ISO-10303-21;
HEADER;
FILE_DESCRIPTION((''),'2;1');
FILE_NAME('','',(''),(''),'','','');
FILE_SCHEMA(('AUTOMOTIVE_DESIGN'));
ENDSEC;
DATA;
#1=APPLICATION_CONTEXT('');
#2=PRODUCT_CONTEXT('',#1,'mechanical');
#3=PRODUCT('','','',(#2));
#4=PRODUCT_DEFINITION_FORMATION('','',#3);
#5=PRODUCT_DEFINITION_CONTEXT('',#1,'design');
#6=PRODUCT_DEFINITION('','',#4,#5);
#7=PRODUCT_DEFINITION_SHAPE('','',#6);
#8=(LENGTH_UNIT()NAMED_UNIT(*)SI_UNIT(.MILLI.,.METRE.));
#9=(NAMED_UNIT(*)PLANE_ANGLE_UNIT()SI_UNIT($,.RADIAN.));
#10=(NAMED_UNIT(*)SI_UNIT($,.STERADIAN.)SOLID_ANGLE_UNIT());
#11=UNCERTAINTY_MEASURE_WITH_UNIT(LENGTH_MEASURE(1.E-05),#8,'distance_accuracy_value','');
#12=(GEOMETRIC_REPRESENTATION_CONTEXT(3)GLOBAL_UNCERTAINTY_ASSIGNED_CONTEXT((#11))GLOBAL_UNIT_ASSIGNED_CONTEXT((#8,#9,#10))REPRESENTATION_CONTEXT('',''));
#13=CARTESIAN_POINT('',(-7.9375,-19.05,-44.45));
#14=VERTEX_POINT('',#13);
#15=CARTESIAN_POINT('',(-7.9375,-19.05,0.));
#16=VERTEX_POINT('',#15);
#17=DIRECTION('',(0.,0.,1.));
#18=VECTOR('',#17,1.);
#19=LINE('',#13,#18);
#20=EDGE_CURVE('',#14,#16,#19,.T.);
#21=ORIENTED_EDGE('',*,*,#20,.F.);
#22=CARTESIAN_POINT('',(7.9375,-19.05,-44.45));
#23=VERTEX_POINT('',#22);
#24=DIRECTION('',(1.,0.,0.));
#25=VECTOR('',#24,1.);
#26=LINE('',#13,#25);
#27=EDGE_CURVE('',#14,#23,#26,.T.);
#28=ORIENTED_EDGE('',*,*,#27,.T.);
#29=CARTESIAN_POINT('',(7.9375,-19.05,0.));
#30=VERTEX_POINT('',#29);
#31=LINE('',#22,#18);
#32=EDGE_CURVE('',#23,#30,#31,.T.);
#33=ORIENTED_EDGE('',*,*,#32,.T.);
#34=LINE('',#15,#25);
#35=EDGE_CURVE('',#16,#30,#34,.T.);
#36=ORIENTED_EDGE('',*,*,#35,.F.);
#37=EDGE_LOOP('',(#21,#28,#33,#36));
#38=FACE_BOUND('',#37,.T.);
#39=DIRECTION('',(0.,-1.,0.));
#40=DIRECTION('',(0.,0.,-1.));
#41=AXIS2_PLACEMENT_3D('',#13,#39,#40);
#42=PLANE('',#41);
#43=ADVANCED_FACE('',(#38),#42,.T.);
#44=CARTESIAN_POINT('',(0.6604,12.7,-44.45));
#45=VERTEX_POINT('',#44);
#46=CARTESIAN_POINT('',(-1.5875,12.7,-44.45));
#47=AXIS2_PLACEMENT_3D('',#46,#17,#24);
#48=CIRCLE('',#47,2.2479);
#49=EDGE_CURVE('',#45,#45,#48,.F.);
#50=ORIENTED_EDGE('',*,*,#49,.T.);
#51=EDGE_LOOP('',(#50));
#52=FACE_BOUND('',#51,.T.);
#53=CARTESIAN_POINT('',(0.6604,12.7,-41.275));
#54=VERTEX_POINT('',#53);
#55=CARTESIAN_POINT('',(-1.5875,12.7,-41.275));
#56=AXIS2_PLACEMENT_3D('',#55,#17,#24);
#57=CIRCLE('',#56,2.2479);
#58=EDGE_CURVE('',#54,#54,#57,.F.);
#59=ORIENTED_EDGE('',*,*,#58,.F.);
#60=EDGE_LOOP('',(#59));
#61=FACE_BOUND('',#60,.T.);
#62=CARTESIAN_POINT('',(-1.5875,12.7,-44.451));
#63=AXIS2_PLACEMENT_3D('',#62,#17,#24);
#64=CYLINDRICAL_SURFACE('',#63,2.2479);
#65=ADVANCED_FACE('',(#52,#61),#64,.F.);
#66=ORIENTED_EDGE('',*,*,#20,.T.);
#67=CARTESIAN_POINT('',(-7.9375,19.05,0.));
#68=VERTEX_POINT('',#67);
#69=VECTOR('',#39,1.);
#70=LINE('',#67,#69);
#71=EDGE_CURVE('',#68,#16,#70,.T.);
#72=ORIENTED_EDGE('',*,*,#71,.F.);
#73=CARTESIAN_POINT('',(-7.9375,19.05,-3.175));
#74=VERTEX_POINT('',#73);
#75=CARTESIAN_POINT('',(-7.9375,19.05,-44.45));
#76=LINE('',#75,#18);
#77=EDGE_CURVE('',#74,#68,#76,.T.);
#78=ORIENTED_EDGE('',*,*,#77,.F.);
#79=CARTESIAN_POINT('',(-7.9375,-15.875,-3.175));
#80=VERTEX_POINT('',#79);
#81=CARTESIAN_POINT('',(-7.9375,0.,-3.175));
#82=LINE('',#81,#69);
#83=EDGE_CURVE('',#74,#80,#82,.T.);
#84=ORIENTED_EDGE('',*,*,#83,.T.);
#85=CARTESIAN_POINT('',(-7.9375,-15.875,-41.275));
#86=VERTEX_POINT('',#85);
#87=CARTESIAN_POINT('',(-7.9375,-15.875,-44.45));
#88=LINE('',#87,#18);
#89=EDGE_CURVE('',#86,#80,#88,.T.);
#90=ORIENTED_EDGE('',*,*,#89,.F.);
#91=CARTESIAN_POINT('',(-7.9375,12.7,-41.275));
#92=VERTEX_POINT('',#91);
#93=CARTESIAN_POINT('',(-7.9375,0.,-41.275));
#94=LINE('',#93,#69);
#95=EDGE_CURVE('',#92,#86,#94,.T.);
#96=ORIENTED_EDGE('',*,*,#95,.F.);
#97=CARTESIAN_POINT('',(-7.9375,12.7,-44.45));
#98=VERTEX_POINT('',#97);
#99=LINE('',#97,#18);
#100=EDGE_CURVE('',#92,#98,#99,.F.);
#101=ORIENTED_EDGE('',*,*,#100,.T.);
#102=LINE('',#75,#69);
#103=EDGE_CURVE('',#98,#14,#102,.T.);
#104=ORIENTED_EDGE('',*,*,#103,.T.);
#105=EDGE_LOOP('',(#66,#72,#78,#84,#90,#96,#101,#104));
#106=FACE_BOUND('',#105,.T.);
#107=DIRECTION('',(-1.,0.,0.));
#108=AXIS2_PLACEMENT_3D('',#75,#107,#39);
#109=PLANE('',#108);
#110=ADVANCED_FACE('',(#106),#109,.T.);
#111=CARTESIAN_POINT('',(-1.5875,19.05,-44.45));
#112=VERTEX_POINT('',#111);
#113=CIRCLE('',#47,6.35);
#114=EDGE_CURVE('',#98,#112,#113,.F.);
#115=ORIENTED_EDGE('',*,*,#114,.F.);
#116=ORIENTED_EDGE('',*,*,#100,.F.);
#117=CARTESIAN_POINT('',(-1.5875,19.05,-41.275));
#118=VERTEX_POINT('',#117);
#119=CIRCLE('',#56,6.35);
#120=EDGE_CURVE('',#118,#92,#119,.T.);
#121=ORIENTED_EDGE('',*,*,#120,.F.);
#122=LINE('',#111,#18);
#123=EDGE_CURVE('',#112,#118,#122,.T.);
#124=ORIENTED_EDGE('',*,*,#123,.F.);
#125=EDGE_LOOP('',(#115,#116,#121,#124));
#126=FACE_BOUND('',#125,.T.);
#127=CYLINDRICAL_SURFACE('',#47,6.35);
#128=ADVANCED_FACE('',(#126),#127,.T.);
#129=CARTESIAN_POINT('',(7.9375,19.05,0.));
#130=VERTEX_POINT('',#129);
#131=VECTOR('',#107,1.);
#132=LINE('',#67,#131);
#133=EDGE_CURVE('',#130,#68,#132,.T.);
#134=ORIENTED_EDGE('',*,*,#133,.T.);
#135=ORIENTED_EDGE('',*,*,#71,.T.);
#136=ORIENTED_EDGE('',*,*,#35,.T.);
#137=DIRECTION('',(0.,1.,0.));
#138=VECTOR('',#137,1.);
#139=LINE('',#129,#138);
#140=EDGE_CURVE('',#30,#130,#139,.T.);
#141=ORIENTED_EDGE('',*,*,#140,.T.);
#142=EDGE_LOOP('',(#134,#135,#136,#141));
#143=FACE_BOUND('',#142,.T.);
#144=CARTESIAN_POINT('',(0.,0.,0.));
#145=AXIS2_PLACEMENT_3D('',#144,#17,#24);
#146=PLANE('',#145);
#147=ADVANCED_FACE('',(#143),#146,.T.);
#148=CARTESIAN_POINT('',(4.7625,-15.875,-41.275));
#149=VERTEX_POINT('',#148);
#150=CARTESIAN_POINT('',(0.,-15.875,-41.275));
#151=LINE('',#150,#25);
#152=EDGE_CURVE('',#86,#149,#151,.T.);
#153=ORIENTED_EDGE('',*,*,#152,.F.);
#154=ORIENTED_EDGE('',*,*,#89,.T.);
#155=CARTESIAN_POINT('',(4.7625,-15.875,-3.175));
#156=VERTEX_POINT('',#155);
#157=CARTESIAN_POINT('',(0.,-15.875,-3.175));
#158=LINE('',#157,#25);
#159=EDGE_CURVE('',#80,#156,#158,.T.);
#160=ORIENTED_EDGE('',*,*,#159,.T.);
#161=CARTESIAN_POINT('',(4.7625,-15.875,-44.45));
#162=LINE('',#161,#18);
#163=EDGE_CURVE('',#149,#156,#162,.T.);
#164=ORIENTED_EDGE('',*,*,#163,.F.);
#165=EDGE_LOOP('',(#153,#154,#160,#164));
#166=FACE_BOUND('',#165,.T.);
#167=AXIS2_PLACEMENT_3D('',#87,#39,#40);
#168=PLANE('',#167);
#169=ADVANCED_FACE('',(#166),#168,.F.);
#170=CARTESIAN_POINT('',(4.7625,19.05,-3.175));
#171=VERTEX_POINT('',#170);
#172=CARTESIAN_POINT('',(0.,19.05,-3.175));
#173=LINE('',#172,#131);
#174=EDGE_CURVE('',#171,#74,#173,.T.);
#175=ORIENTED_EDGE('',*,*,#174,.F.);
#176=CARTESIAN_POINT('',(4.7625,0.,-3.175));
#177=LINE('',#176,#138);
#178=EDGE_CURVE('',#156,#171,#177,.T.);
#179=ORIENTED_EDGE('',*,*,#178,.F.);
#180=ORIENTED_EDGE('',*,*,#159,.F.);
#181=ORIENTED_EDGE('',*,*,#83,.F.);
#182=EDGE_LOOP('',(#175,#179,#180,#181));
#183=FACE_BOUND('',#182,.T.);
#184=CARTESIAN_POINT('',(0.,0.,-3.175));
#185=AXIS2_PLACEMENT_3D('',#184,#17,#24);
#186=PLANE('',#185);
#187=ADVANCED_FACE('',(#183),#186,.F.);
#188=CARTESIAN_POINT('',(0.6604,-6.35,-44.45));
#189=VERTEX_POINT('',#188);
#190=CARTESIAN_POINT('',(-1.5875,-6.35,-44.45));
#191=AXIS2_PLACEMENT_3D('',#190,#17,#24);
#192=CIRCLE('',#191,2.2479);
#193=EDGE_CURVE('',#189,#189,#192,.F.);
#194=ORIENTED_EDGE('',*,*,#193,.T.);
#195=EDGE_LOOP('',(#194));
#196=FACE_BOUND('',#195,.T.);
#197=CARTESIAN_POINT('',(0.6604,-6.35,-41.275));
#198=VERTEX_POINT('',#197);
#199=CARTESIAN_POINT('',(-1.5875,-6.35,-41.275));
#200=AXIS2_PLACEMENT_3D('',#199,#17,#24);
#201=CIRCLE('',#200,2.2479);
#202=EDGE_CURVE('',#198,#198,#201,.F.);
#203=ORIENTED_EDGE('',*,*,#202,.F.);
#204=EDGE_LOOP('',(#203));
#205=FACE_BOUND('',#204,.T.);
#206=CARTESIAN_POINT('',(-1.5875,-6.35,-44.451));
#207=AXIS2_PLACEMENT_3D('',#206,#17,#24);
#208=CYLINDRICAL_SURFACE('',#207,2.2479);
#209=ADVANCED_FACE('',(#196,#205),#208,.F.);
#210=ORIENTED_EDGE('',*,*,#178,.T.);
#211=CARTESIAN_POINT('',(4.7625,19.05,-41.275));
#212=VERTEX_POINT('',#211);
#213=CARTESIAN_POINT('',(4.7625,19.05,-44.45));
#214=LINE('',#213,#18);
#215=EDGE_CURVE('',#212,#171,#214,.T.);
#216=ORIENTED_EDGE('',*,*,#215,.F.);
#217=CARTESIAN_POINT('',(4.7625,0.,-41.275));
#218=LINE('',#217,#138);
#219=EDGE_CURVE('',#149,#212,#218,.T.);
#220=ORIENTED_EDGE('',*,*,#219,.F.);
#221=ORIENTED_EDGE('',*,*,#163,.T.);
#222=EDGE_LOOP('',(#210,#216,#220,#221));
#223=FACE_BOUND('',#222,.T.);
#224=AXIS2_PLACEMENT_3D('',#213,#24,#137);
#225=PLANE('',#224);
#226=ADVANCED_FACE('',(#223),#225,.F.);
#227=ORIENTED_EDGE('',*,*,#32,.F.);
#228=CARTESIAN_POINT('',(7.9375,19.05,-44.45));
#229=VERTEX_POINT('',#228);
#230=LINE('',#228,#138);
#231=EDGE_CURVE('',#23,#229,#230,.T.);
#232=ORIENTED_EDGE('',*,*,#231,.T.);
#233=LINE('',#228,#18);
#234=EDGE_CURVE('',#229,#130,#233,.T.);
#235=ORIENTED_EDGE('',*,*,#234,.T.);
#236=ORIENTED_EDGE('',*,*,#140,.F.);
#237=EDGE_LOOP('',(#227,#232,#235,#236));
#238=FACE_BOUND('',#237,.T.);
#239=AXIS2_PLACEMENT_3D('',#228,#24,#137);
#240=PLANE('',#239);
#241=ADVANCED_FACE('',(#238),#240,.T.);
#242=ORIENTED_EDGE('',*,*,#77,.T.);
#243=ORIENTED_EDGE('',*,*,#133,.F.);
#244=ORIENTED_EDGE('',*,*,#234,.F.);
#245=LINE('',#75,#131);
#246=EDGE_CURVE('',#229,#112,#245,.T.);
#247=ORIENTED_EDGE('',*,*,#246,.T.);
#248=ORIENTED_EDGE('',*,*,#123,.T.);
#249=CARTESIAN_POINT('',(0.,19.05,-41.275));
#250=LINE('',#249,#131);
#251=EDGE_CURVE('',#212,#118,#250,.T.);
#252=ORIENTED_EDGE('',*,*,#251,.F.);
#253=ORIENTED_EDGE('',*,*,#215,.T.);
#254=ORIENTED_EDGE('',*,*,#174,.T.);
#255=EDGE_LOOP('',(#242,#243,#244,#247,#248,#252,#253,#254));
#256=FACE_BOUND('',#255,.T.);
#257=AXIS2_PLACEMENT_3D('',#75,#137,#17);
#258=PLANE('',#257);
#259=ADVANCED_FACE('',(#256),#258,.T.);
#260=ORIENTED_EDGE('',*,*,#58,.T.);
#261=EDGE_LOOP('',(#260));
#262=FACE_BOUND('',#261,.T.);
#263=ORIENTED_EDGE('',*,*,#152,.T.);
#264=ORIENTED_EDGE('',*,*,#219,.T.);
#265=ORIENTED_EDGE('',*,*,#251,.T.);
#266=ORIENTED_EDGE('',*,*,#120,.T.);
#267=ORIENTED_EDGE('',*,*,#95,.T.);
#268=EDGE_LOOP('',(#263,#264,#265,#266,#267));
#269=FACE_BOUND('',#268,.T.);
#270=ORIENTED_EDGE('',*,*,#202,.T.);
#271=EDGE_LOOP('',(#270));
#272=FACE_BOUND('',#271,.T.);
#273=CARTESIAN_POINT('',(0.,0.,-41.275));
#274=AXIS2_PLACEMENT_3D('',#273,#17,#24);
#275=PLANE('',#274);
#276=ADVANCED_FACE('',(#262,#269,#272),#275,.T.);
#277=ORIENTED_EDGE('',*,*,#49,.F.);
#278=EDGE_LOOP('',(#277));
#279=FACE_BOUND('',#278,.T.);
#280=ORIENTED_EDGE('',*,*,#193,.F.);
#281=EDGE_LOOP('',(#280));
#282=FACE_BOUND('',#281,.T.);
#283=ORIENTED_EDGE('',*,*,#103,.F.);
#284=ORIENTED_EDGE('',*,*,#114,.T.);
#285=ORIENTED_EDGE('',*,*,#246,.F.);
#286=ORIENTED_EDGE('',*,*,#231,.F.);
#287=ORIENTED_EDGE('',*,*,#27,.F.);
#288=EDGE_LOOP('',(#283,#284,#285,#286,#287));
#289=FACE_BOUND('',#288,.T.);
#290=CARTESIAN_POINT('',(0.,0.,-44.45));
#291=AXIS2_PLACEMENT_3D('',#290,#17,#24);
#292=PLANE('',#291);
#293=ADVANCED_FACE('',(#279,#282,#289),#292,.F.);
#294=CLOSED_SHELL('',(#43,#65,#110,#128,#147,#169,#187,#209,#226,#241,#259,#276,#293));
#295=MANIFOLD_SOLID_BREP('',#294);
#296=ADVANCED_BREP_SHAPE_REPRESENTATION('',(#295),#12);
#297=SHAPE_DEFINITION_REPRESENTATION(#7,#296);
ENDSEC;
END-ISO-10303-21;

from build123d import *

# Parameters (mm, degrees)
SKETCH1_W           = 15.875
SKETCH1_H           = 38.1
BOSS_EXTRUDE1_DEPTH = 44.45
SHELL1_T            = -3.175
CUT_EXTRUDE1_REACH  = 48.147
SKETCH2_R           = 2.2479
FILLET2_R           = 6.35


with BuildPart() as part:
    # Sketch1 → Boss-Extrude1 (new body)
    with BuildSketch(Plane.XY):
        Rectangle(SKETCH1_W, SKETCH1_H)
    extrude(amount=-BOSS_EXTRUDE1_DEPTH)

    # Shell1
    shell1_openings = [part.faces().sort_by_distance(p)[0] for p in [
        (-7.9375, 0, -22.225),
        (0, 19.05, -22.225),
    ]]
    offset(amount=SHELL1_T, openings=shell1_openings, kind=Kind.INTERSECTION)

    # Sketch2 → Cut-Extrude1 (cut, up to next)
    with BuildSketch(Plane.XY.offset(-3.175), mode=Mode.PRIVATE) as cut_extrude1_sk1:
        with Locations((-1.5875, -6.35)):
            Circle(SKETCH2_R)
    cut_extrude1_tool1 = extrude(cut_extrude1_sk1.sketch, amount=-CUT_EXTRUDE1_REACH, mode=Mode.PRIVATE) & part.part
    # Sketch2 → Cut-Extrude1 (cut, up to next)
    with BuildSketch(Plane.XY.offset(-3.175), mode=Mode.PRIVATE) as cut_extrude1_sk2:
        with Locations((-1.5875, 12.7)):
            Circle(SKETCH2_R)
    cut_extrude1_tool2 = extrude(cut_extrude1_sk2.sketch, amount=-CUT_EXTRUDE1_REACH, mode=Mode.PRIVATE) & part.part
    add(cut_extrude1_tool1.solids().sort_by_distance((-1.5875, -6.35, -3.175))[0], mode=Mode.SUBTRACT)
    add(cut_extrude1_tool2.solids().sort_by_distance((-1.5875, 12.7, -3.175))[0], mode=Mode.SUBTRACT)

    # Fillet2
    fillet2_edges = [part.edges().sort_by_distance(p)[0] for p in [
        (-7.9375, 19.05, -42.8625),
    ]]
    fillet(fillet2_edges, radius=FILLET2_R)


solid = part.part
